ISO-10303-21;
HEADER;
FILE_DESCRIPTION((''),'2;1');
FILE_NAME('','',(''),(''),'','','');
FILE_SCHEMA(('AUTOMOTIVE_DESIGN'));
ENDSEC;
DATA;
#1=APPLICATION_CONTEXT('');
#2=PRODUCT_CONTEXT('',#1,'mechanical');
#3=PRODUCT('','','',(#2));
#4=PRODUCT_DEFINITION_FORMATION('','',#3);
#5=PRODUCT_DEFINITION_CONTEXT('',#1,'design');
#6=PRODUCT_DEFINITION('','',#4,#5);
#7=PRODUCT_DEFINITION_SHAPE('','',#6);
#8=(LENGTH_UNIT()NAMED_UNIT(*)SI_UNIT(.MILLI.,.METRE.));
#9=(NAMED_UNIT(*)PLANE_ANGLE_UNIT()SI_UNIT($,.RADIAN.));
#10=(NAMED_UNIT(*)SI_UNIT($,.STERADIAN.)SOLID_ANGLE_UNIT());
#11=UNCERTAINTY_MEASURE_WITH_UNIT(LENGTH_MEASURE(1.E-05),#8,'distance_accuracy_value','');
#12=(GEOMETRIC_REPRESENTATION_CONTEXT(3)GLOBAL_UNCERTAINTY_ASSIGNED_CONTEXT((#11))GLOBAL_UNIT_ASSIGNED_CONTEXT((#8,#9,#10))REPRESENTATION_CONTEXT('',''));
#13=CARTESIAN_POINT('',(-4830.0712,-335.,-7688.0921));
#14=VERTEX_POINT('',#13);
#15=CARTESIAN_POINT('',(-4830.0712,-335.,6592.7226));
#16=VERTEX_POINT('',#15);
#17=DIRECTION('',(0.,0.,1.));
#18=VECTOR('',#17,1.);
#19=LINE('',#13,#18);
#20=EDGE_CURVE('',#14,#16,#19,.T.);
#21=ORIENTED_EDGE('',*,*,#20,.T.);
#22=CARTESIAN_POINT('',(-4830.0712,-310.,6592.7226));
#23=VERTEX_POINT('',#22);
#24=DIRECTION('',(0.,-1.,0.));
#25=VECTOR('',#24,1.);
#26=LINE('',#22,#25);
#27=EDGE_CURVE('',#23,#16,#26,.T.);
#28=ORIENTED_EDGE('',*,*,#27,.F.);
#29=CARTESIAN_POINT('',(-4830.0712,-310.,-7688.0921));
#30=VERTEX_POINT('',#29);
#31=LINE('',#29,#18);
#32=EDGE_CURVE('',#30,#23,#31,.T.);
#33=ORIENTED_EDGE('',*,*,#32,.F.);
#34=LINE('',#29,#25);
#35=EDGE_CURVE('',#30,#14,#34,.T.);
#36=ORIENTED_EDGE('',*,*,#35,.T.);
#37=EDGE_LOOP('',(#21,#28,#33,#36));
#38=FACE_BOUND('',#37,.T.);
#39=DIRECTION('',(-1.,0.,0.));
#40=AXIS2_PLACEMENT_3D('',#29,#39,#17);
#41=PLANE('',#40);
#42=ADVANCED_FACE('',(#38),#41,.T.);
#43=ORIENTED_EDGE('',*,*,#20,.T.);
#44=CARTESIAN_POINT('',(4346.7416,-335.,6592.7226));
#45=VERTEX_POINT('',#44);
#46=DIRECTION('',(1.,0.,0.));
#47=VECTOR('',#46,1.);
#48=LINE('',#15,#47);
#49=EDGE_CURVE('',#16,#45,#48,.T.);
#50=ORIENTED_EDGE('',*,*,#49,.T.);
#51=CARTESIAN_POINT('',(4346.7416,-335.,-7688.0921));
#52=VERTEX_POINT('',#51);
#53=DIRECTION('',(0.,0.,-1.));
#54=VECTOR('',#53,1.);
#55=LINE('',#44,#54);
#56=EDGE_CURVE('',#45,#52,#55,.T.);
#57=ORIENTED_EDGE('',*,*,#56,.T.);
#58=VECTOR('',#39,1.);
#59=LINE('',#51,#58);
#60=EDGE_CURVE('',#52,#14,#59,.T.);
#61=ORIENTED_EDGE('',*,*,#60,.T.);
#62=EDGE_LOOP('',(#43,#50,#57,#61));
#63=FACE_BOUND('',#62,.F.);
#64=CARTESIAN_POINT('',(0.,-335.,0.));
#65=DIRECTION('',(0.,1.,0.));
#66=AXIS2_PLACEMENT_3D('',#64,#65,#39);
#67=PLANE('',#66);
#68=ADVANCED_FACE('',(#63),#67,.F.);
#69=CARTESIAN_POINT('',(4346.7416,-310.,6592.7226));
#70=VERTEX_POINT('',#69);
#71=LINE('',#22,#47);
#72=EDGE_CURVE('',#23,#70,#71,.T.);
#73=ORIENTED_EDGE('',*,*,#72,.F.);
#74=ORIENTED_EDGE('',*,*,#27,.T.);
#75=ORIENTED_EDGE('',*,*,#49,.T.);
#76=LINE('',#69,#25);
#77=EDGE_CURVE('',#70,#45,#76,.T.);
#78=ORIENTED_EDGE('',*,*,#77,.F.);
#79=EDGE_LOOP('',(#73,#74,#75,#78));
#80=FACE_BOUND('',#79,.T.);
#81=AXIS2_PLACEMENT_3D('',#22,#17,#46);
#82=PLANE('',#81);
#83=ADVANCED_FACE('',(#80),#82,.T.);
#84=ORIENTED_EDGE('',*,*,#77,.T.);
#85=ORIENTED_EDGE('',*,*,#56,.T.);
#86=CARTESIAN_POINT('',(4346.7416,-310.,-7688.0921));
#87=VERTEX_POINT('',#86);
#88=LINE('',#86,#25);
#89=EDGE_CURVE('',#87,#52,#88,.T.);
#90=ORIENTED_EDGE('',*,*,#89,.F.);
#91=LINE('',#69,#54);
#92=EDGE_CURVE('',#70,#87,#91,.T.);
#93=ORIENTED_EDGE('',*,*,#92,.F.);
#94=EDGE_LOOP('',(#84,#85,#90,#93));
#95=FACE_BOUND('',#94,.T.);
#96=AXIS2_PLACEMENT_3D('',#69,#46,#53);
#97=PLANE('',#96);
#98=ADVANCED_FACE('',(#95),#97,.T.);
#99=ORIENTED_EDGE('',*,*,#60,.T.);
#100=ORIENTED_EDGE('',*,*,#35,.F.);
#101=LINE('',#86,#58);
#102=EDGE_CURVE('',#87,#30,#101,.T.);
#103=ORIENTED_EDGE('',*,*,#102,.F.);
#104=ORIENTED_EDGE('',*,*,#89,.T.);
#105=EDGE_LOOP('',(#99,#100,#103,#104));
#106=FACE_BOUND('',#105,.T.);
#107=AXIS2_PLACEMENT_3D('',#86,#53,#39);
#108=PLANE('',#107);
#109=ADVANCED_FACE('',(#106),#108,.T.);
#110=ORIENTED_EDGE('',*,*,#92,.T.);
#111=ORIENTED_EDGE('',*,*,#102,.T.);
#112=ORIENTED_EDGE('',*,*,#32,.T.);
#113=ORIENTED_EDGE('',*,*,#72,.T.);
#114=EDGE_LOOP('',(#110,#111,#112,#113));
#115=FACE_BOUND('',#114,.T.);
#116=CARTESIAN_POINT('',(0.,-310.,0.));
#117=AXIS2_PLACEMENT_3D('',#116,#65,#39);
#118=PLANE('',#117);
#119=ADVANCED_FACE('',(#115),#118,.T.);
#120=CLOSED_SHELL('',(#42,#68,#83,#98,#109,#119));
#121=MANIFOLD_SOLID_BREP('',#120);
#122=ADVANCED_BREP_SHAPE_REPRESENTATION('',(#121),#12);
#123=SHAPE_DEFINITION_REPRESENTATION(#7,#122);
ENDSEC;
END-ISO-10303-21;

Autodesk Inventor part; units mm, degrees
ref_plane "YZ Plane" through (0, 0, 0) normal (1, 0, 0) x (0, 1, 0)
ref_plane "XZ Plane" through (0, 0, 0) normal (0, 1, 0) x (-1, 0, 0)
ref_plane "XY Plane" through (0, 0, 0) normal (0, 0, 1) x (1, 0, 0)
ref_plane "Work Plane1" through (0, -310, 0) normal (0, 1, 0) x (-1, 0, 0)
sketch "Sketch1" plane through (0, -310, 0) normal (0, 1, 0) x (-1, 0, 0)
  line L0 (4830.0712, 6592.7226) -> (-4346.7416, 6592.7226)
  line L1 (-4346.7416, 6592.7226) -> (-4346.7416, -7688.0921)
  line L2 (-4346.7416, -7688.0921) -> (4830.0712, -7688.0921)
  line L3 (4830.0712, -7688.0921) -> (4830.0712, 6592.7226)
  point P0 (0, 0)
extrude "Extrusion1" add sketch "Sketch1" against normal blind 25
properties part number "ground"
